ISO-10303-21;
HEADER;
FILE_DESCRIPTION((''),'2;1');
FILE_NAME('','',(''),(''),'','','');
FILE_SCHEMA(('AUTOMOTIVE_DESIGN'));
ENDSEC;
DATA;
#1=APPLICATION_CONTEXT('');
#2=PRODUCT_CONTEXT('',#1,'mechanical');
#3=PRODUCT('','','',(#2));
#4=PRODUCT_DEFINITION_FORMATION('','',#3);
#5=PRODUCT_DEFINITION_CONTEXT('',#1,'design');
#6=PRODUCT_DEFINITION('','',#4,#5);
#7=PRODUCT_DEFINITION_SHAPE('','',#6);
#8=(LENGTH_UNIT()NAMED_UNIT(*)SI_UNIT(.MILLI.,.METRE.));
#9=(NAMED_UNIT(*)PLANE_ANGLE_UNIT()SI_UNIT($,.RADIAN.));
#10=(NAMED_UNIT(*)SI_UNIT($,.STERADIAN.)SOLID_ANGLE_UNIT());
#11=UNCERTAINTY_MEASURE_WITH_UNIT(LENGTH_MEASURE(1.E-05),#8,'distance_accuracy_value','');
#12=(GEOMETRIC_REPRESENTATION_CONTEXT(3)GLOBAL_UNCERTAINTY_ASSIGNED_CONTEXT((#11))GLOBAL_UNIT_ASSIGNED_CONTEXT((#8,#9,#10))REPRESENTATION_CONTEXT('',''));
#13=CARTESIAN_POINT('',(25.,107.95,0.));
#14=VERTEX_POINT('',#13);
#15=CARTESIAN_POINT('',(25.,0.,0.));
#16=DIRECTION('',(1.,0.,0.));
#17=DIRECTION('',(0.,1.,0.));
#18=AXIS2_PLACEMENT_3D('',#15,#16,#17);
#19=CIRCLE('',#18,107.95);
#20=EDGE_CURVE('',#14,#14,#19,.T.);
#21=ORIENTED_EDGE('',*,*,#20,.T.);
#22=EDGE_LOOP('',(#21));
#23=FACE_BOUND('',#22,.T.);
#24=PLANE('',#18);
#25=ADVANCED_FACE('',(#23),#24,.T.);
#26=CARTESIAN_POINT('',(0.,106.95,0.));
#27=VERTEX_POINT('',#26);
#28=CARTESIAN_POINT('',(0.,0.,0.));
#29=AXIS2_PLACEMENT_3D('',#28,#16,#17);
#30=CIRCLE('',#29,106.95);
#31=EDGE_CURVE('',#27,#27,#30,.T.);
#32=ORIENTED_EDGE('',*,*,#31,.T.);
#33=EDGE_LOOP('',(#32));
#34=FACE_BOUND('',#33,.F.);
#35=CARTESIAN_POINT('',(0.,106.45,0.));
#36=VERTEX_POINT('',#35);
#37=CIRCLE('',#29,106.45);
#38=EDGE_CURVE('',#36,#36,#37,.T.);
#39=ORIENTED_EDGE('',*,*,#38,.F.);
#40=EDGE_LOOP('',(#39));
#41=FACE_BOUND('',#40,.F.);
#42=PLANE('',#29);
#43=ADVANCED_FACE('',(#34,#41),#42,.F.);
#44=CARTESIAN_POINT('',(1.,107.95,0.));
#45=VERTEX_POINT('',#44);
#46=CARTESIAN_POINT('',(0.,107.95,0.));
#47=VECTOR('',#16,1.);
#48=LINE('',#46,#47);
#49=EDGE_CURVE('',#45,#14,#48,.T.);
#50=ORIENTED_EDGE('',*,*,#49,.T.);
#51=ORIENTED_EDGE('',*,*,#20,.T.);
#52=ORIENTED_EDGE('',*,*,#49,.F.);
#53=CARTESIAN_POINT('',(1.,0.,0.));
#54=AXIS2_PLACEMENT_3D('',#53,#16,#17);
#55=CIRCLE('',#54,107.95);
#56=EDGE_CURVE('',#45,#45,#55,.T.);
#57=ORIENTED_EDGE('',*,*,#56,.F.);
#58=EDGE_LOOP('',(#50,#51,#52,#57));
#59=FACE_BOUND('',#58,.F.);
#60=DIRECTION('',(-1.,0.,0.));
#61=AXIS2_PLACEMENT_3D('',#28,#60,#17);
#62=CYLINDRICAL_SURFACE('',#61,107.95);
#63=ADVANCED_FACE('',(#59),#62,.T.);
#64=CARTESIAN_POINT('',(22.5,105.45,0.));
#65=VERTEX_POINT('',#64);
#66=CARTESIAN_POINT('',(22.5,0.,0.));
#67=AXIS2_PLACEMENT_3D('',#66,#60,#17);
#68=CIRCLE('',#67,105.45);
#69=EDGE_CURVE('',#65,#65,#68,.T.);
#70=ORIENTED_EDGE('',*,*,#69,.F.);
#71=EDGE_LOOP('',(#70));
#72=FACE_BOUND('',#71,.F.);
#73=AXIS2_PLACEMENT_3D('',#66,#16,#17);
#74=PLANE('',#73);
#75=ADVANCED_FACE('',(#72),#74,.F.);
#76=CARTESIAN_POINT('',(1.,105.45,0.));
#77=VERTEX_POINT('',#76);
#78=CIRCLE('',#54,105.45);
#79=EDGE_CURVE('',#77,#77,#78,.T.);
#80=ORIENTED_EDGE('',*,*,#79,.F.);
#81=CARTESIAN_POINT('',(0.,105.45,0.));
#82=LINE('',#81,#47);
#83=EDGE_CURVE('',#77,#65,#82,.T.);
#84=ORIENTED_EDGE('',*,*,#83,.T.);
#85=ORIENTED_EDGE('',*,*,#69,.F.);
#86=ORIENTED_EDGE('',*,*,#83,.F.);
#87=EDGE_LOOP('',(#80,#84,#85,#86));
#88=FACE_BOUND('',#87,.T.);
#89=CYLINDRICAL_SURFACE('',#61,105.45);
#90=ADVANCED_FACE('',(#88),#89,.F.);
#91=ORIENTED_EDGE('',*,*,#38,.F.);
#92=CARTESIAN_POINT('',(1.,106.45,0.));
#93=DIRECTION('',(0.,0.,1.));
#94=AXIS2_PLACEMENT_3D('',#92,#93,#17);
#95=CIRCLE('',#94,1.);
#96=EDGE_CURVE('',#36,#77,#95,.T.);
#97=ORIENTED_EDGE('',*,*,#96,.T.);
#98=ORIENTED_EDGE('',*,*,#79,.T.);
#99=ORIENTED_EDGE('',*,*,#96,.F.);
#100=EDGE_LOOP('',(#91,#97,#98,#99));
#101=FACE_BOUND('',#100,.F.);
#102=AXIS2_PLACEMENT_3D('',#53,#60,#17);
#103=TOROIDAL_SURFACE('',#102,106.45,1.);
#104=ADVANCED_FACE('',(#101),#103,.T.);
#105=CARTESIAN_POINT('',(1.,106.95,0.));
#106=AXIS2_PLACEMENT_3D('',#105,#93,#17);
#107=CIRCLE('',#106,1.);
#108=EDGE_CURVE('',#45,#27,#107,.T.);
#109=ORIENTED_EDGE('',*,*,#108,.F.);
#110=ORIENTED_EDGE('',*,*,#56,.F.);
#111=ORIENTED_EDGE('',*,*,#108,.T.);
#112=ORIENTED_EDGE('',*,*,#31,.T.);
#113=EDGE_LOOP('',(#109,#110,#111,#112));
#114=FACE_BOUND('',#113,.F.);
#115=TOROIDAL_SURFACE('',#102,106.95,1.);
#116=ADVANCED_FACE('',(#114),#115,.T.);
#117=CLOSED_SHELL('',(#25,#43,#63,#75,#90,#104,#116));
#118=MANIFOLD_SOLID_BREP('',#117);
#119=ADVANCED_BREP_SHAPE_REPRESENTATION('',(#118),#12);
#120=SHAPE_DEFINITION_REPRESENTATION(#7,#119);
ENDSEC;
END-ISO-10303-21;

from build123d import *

# Parameters (mm, degrees)
F0_R     = 107.95
F1_DEPTH = 25
F2_T     = -2.5
F3_R     = 1


with BuildPart() as f1:
    # F0 (on Right) → F1 (new body)
    with BuildSketch(Plane.YZ):
        Circle(F0_R)
    extrude(amount=F1_DEPTH)

    # F2
    f2_openings = [f1.faces().sort_by_distance(p)[0] for p in [
        (0, 0, 0),
    ]]
    offset(amount=F2_T, openings=f2_openings)

    # F3
    f3_edges = [f1.edges().sort_by_distance(p)[0] for p in [
        (0, -107.95, 0),
        (0, -105.45, 0),
    ]]
    fillet(f3_edges, radius=F3_R)


solid = f1.part
